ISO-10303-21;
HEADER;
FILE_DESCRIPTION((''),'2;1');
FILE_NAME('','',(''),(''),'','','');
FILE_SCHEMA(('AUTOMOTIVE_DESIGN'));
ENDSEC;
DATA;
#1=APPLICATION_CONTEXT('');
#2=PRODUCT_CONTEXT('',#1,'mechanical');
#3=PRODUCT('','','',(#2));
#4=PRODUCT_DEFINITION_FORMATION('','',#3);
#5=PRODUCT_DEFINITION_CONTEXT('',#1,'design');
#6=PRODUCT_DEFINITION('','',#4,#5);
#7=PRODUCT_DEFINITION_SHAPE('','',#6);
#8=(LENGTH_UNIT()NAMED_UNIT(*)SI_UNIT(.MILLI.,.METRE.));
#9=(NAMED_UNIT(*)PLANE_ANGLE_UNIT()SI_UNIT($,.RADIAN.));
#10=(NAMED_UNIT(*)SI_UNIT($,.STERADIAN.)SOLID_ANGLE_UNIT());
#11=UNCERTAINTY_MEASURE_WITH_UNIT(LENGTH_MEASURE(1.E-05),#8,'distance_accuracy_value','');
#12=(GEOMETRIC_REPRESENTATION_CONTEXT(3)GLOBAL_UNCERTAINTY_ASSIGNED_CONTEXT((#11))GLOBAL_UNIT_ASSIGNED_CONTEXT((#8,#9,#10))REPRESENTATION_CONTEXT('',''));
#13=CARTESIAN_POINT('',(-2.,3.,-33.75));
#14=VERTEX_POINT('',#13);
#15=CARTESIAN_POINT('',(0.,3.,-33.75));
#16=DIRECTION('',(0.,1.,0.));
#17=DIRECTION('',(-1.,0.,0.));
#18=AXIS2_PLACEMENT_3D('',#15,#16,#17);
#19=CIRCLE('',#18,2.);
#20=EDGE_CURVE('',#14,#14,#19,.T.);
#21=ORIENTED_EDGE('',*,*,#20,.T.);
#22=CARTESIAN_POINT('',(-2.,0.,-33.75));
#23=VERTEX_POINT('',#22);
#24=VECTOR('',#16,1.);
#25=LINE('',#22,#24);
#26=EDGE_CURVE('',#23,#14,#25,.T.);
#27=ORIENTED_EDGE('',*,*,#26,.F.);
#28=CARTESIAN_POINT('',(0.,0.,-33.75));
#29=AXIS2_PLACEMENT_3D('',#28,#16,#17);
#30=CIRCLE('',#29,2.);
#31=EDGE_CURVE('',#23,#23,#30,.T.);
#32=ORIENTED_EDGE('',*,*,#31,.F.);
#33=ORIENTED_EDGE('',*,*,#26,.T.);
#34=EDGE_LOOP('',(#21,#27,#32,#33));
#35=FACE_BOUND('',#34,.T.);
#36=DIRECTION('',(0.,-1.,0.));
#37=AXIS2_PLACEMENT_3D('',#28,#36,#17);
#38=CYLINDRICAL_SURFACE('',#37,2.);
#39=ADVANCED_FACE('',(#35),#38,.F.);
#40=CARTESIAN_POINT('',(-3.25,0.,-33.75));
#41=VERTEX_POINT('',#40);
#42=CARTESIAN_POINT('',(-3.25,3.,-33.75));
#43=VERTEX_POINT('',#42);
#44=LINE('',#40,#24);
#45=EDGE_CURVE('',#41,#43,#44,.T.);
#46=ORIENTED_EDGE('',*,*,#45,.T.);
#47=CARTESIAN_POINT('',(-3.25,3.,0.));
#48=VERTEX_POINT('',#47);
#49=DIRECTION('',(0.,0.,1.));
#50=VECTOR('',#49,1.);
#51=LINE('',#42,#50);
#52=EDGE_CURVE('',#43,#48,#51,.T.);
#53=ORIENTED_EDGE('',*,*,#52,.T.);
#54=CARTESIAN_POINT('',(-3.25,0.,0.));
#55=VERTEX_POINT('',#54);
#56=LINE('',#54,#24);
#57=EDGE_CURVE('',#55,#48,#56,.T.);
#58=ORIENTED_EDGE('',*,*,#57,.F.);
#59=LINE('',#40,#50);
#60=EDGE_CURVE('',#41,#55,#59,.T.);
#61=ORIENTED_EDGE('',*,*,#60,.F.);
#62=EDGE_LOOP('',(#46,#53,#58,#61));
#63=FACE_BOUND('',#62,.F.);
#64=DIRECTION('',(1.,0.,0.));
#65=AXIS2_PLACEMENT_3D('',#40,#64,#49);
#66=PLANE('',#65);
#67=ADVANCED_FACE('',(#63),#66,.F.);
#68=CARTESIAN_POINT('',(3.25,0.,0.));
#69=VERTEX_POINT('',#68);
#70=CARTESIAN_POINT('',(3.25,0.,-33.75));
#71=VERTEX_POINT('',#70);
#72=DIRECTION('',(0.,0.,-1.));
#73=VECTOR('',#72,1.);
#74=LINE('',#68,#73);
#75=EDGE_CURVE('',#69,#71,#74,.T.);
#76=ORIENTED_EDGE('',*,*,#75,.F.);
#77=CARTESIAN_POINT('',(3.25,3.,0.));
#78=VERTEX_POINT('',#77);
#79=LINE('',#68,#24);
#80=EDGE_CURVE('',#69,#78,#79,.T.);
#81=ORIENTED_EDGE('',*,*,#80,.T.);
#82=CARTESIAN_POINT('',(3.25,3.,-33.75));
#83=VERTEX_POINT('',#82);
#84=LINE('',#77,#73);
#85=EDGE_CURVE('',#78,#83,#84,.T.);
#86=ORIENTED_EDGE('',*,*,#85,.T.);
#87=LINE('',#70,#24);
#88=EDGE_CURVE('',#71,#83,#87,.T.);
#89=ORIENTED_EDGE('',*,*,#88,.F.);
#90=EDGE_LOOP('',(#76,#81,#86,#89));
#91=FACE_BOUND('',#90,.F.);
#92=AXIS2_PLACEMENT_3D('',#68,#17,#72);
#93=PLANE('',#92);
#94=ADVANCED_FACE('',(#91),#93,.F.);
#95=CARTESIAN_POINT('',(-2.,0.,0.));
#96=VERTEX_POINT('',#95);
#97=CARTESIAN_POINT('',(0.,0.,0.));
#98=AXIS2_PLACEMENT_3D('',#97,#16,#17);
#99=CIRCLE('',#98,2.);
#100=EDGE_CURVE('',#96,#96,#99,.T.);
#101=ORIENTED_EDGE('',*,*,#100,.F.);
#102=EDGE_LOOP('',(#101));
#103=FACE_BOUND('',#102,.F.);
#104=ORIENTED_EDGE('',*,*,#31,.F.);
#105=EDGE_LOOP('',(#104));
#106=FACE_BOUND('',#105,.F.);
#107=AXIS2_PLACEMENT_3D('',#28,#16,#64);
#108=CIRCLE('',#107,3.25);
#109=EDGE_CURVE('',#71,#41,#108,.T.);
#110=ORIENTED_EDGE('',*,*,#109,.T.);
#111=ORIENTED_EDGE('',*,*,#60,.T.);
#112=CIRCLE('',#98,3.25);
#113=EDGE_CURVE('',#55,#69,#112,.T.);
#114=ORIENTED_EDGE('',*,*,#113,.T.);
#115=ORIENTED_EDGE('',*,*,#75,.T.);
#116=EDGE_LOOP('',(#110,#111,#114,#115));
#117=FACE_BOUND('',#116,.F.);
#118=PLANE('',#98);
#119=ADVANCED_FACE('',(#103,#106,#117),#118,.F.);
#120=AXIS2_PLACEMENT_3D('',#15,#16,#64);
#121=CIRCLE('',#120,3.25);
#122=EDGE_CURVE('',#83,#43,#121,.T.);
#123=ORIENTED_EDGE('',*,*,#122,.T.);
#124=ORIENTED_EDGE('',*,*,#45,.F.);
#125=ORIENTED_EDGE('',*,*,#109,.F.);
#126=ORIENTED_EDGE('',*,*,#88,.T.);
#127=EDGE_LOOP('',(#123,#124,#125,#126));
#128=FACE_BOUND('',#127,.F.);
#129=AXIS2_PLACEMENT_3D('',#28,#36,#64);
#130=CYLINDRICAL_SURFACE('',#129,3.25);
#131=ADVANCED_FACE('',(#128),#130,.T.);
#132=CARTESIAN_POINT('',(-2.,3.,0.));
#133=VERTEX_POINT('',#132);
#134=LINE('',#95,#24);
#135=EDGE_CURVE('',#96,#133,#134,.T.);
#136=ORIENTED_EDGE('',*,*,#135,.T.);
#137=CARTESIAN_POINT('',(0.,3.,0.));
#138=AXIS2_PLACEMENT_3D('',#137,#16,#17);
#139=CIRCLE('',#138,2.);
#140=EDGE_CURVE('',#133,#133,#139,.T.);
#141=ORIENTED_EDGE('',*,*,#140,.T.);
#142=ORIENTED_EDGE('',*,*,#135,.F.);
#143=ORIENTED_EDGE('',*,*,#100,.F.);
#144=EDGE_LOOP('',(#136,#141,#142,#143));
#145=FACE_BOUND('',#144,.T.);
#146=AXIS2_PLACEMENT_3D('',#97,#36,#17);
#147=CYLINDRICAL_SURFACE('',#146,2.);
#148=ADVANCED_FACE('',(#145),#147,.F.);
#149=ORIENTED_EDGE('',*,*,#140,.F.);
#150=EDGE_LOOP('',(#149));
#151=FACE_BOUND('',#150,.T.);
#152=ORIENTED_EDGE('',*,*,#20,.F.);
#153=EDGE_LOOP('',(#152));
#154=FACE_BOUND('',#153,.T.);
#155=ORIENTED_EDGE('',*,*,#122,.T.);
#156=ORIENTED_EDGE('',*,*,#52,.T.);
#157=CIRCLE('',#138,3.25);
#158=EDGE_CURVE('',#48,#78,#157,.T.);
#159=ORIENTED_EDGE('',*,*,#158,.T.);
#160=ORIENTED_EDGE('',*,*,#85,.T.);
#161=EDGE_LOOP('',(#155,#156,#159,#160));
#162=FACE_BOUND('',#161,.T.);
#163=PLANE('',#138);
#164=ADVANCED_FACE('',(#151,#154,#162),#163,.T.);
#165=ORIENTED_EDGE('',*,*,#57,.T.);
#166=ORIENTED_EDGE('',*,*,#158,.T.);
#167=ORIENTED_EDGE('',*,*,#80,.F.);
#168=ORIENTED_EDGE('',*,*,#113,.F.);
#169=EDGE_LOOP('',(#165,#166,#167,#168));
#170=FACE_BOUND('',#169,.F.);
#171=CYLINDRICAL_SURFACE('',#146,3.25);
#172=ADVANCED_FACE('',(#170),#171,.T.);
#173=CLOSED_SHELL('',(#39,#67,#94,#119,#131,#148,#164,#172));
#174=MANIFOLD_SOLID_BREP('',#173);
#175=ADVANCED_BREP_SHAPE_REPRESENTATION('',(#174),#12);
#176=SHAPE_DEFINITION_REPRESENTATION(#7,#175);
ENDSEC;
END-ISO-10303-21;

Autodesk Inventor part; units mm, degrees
ref_plane "YZ Plane" through (0, 0, 0) normal (1, 0, 0) x (0, 1, 0)
ref_plane "XZ Plane" through (0, 0, 0) normal (0, 1, 0) x (-1, 0, 0)
ref_plane "XY Plane" through (0, 0, 0) normal (0, 0, 1) x (1, 0, 0)
sketch "Sketch1" plane through (0, 0, 0) normal (0, 1, 0) x (-1, 0, 0)
  line L0 (0, 0) -> (0, -33.75) construction
  line L1 (-3.25, 0) -> (-3.25, -33.75)
  line L2 (3.25, -33.75) -> (3.25, 0)
  arc A0 (3.25, 0) -> (-3.25, 0) centre (0, 0) ccw
  arc A1 (-3.25, -33.75) -> (3.25, -33.75) centre (0, -33.75) ccw
  circle A2 centre (0, 0) radius 2
  circle A3 centre (0, -33.75) radius 2
  point P0 (0, -16.875)
  dimension "d0" = 33.75
  dimension "d1" = 6.5
  dimension "d2" = 4
  dimension "d3" = 4
extrude "Extrusion1" add sketch "Sketch1" along normal blind 3
properties part number "tuas"
